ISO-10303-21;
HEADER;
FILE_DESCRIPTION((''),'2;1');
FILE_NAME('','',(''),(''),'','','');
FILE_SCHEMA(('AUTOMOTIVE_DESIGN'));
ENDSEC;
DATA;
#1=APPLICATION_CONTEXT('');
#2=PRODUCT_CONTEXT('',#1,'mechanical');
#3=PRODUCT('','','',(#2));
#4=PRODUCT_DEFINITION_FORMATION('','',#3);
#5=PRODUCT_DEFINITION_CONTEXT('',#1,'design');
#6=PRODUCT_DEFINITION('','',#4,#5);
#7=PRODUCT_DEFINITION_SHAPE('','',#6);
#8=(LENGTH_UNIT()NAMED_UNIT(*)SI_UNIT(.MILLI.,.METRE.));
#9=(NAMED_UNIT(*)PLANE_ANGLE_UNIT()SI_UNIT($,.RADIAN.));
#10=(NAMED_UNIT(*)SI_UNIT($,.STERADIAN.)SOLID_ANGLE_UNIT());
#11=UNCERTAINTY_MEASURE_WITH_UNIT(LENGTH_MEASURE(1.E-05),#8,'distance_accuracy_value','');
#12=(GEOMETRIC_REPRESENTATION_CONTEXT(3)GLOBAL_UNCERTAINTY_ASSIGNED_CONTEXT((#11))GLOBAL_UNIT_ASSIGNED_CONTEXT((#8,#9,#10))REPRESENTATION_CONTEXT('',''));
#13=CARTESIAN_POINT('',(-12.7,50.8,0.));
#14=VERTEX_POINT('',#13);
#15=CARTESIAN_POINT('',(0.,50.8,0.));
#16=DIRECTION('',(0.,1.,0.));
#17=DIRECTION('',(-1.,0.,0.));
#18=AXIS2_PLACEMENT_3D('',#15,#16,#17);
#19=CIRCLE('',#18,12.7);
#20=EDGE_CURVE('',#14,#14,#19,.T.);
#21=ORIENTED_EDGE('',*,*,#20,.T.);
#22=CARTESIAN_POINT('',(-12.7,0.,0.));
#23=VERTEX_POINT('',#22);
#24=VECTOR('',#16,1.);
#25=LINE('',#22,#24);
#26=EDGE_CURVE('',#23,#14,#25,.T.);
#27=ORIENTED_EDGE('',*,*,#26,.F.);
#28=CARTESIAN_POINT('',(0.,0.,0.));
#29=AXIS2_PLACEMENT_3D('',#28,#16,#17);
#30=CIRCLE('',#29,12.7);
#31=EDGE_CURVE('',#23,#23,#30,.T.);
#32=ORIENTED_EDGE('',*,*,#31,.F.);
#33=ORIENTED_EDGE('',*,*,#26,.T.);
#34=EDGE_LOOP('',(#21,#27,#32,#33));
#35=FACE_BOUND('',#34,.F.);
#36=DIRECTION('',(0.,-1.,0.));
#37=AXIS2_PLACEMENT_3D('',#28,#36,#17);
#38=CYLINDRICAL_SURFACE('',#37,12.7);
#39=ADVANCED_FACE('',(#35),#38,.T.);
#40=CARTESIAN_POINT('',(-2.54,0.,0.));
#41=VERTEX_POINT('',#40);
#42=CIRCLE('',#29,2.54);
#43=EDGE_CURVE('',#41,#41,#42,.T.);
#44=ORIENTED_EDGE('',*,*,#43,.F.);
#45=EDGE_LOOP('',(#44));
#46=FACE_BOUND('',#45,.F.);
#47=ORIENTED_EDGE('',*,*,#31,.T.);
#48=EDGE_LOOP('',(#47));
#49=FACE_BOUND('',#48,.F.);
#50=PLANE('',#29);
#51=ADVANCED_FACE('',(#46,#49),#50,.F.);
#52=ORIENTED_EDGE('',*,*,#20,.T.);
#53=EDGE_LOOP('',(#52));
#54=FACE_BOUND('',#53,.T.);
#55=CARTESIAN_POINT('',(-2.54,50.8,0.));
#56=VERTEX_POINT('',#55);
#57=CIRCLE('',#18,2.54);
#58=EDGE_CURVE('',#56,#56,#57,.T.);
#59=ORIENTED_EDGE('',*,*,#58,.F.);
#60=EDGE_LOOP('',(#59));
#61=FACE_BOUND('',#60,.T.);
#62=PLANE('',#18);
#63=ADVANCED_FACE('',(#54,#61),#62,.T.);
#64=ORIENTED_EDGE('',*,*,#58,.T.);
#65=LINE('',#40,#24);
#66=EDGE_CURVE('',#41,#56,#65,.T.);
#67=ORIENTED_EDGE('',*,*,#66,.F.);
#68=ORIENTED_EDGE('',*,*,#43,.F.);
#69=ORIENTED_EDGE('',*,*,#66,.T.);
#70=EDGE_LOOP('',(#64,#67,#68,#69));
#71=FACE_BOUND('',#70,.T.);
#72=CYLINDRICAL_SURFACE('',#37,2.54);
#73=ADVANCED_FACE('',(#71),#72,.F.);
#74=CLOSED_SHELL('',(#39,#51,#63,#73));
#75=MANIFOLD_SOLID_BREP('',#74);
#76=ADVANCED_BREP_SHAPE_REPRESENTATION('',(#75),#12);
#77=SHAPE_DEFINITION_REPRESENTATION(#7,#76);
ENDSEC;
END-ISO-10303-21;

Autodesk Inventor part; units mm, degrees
ref_plane "YZ Plane" through (0, 0, 0) normal (1, 0, 0) x (0, 1, 0)
ref_plane "XZ Plane" through (0, 0, 0) normal (0, 1, 0) x (-1, 0, 0)
ref_plane "XY Plane" through (0, 0, 0) normal (0, 0, 1) x (1, 0, 0)
sketch "Sketch1" plane through (0, 0, 0) normal (0, 1, 0) x (-1, 0, 0)
  circle A0 centre (0, 0) radius 12.7
  circle A1 centre (0, 0) radius 2.54
  dimension "d0" = 25.4
  dimension "d1" = 5.08
extrude "Extrusion1" add sketch "Sketch1" along normal blind 50.8
properties part number "BATES"
